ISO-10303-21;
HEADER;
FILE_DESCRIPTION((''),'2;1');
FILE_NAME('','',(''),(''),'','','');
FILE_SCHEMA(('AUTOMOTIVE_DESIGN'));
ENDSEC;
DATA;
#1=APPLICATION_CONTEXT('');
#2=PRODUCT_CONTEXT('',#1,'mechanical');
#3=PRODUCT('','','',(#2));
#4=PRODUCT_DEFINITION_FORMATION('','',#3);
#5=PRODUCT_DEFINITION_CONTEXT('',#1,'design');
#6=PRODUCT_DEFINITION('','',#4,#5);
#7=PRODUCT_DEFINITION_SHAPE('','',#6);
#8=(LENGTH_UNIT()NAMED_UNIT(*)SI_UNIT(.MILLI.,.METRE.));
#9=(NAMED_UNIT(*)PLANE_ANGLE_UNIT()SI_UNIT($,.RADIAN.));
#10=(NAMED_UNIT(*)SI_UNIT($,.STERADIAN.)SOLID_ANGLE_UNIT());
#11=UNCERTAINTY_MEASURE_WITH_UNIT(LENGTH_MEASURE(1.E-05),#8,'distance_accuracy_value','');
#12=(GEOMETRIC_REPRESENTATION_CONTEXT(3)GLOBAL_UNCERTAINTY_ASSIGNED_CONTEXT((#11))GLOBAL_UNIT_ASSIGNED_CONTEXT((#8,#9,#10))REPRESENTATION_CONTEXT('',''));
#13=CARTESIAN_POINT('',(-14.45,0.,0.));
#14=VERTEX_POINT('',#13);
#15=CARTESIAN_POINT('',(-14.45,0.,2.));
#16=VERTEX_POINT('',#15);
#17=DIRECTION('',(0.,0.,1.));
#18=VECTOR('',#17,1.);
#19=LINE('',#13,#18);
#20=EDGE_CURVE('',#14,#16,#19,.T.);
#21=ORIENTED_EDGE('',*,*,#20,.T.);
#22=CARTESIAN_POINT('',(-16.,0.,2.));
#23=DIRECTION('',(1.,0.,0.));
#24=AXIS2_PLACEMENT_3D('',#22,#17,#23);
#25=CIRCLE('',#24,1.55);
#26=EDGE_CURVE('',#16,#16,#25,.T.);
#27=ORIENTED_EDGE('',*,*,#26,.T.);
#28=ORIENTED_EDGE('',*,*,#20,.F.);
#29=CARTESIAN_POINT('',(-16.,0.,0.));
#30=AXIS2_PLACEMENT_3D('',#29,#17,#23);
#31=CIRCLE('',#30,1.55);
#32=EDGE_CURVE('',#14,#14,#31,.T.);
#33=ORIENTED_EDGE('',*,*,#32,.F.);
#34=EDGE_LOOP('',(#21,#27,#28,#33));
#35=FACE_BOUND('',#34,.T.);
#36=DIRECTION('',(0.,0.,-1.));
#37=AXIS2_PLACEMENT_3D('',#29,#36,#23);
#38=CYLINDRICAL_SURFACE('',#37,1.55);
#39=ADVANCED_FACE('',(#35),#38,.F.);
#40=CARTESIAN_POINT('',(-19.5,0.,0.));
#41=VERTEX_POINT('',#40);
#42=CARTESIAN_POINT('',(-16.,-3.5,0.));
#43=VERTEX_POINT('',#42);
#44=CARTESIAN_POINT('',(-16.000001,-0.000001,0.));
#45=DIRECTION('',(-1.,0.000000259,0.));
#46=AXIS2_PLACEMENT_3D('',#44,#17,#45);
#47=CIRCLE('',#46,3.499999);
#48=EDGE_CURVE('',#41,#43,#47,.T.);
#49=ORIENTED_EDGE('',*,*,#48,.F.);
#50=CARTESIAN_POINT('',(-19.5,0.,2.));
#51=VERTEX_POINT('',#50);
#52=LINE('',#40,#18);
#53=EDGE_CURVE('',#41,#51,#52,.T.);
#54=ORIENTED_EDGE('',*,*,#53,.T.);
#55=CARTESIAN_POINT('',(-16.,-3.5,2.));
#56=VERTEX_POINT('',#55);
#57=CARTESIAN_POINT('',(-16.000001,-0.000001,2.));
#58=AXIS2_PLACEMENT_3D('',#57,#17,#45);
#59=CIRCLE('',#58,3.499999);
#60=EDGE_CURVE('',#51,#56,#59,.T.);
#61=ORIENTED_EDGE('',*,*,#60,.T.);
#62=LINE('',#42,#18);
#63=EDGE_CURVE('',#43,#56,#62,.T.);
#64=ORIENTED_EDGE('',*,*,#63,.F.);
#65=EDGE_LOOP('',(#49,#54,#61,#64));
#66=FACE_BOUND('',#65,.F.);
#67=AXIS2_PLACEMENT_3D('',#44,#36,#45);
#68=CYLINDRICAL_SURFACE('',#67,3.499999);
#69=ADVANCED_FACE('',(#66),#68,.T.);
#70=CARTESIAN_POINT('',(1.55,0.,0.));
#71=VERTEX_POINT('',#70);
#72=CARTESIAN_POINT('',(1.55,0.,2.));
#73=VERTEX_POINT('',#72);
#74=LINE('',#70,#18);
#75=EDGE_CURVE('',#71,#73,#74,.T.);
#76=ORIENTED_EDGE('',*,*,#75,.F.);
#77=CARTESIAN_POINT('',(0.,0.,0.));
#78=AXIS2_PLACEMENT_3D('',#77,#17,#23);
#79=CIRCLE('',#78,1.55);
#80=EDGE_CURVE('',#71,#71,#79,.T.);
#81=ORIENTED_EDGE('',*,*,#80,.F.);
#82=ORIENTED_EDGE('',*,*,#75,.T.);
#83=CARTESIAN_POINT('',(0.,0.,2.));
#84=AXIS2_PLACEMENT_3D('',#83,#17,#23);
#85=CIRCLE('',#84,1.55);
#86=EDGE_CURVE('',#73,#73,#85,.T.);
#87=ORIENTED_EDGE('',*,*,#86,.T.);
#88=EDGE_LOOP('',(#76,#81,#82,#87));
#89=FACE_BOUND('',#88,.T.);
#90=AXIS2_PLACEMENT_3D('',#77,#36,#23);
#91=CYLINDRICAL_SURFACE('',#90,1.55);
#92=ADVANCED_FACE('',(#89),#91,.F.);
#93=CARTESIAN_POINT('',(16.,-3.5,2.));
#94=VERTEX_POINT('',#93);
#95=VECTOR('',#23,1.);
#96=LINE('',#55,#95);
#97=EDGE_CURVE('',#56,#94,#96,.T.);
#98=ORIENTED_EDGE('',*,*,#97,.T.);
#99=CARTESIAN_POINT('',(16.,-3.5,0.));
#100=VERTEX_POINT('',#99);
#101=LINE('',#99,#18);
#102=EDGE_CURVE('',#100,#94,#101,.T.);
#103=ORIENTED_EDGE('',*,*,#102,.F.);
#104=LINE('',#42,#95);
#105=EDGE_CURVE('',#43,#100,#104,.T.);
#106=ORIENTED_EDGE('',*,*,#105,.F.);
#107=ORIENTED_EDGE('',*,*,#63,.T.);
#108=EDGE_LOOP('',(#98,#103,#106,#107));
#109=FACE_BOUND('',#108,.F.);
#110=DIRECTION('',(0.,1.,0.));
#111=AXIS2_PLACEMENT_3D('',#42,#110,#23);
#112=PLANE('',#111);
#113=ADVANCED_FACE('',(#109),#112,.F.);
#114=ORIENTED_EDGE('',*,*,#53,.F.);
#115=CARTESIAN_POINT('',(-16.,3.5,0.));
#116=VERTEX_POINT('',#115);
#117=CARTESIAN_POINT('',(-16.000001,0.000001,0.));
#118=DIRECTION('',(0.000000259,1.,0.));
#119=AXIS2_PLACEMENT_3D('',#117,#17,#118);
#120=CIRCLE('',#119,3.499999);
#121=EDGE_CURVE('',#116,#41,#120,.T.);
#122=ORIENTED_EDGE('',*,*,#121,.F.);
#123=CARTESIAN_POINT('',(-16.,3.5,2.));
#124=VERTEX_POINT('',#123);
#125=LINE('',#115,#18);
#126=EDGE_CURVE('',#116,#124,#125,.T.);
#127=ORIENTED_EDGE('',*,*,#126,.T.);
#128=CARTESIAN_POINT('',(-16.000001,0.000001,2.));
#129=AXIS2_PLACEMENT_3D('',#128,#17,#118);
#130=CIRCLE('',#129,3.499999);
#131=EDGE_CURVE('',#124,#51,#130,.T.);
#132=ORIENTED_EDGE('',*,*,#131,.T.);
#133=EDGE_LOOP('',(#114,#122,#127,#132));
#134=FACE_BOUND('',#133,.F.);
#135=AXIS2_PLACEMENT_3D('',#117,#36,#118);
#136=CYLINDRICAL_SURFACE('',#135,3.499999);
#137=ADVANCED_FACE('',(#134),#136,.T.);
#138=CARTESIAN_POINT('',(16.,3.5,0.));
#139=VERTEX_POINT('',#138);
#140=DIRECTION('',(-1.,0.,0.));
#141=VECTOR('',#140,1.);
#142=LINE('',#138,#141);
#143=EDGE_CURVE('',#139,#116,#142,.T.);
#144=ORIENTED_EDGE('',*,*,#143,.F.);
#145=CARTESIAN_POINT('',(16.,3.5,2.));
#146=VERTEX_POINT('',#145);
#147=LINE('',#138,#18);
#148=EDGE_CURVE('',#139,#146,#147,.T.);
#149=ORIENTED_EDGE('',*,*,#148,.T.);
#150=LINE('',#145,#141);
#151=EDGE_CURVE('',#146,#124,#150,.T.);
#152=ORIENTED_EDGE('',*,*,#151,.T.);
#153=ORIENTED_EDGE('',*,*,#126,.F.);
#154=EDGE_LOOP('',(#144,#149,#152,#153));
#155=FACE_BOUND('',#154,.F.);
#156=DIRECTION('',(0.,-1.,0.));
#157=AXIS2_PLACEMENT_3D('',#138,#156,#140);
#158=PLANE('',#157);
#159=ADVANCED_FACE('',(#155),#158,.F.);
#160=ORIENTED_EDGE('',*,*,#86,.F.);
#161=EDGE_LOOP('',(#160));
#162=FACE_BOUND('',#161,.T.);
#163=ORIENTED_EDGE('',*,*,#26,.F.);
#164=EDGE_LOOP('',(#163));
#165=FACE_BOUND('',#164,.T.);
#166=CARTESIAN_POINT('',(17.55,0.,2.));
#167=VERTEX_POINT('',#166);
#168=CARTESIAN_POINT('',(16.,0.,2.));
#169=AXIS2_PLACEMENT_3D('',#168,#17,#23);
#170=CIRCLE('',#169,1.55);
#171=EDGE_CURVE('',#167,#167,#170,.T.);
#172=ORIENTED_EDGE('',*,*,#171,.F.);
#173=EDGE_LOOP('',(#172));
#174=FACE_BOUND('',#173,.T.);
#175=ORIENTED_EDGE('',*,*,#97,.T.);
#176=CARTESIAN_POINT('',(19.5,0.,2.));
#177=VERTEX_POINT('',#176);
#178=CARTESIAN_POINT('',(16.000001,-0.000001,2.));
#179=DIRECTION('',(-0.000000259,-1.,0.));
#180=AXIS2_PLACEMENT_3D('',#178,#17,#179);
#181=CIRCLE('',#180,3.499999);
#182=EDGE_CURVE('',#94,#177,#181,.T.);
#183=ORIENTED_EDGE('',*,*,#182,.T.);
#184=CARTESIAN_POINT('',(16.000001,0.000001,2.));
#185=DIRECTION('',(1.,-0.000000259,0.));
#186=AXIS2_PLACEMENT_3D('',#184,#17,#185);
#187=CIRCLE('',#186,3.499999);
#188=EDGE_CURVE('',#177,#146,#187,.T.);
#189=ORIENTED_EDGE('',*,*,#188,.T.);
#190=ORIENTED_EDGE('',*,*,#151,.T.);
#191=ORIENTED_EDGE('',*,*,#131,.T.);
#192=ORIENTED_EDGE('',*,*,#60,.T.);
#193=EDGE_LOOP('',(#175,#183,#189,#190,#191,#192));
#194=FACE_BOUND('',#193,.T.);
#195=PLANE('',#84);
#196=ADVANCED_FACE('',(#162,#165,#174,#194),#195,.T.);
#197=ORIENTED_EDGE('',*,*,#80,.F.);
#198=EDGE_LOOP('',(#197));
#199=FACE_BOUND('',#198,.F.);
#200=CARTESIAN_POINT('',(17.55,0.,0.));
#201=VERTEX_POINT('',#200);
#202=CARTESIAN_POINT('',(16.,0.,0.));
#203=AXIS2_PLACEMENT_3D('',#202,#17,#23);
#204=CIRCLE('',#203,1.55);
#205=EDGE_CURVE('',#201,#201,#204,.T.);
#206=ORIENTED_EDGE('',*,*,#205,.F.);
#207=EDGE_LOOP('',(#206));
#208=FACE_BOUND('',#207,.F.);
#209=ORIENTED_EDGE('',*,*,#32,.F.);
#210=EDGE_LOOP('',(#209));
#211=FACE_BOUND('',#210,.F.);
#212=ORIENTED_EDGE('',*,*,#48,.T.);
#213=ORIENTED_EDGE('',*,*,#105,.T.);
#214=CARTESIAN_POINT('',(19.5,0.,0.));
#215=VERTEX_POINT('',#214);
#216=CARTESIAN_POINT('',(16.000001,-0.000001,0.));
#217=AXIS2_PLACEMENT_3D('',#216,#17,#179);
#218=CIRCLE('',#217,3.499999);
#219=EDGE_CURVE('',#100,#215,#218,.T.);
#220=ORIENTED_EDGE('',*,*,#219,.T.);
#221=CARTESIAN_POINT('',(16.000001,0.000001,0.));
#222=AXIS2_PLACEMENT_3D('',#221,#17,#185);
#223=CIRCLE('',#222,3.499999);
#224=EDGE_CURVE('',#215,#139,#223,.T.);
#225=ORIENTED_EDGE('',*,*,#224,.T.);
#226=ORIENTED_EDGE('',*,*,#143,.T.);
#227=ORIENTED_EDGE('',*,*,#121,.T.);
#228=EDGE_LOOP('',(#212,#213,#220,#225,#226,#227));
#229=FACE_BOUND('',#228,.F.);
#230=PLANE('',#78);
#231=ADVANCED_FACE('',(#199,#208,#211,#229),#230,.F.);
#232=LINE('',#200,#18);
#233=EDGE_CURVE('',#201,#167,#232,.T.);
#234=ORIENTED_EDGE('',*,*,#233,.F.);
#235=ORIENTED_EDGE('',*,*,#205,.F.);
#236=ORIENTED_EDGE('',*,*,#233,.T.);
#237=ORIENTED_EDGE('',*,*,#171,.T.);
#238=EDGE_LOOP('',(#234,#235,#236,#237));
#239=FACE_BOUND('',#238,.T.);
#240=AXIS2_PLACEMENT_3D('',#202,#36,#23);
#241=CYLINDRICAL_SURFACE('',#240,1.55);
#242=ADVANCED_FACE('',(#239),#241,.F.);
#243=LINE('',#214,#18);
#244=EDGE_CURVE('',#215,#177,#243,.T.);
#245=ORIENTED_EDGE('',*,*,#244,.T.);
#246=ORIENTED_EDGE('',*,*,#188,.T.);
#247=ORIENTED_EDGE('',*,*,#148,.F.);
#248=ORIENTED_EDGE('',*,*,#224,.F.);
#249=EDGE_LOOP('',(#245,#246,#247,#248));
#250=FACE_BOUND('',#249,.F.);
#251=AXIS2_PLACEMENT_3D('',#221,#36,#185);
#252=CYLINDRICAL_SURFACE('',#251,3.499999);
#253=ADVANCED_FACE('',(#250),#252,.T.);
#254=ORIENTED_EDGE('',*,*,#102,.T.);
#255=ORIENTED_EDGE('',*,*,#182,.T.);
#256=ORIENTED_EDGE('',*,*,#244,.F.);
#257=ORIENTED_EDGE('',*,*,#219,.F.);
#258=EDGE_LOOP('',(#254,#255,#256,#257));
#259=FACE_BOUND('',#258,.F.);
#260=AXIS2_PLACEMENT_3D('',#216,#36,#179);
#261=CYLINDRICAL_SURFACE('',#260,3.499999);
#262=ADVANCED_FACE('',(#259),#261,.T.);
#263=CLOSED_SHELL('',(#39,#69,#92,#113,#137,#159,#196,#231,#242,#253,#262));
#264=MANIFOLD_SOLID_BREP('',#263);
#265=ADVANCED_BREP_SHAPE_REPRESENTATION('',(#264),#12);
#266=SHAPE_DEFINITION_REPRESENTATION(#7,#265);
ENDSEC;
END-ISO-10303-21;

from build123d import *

# Parameters (mm, degrees)
F0_R     = 1.55
F1_DEPTH = 2


with BuildPart() as f1:
    # F0 (on Top) → F1 (new body)
    with BuildSketch(Plane.XY):
        with BuildLine():
            Line((-16, -3.5), (16, -3.5))
            ThreePointArc((16, -3.5), (18.474874, -2.474874), (19.5, 0))
            ThreePointArc((19.5, 0), (18.474874, 2.474874), (16, 3.5))
            Line((16, 3.5), (-16, 3.5))
            ThreePointArc((-16, 3.5), (-18.474874, 2.474874), (-19.5, 0))
            ThreePointArc((-19.5, 0), (-18.474874, -2.474874), (-16, -3.5))
        make_face()
        with Locations((-16, 0)):
            Circle(F0_R, mode=Mode.SUBTRACT)
        Circle(F0_R, mode=Mode.SUBTRACT)
        with Locations((16, 0)):
            Circle(F0_R, mode=Mode.SUBTRACT)
    extrude(amount=F1_DEPTH)


solid = f1.part
